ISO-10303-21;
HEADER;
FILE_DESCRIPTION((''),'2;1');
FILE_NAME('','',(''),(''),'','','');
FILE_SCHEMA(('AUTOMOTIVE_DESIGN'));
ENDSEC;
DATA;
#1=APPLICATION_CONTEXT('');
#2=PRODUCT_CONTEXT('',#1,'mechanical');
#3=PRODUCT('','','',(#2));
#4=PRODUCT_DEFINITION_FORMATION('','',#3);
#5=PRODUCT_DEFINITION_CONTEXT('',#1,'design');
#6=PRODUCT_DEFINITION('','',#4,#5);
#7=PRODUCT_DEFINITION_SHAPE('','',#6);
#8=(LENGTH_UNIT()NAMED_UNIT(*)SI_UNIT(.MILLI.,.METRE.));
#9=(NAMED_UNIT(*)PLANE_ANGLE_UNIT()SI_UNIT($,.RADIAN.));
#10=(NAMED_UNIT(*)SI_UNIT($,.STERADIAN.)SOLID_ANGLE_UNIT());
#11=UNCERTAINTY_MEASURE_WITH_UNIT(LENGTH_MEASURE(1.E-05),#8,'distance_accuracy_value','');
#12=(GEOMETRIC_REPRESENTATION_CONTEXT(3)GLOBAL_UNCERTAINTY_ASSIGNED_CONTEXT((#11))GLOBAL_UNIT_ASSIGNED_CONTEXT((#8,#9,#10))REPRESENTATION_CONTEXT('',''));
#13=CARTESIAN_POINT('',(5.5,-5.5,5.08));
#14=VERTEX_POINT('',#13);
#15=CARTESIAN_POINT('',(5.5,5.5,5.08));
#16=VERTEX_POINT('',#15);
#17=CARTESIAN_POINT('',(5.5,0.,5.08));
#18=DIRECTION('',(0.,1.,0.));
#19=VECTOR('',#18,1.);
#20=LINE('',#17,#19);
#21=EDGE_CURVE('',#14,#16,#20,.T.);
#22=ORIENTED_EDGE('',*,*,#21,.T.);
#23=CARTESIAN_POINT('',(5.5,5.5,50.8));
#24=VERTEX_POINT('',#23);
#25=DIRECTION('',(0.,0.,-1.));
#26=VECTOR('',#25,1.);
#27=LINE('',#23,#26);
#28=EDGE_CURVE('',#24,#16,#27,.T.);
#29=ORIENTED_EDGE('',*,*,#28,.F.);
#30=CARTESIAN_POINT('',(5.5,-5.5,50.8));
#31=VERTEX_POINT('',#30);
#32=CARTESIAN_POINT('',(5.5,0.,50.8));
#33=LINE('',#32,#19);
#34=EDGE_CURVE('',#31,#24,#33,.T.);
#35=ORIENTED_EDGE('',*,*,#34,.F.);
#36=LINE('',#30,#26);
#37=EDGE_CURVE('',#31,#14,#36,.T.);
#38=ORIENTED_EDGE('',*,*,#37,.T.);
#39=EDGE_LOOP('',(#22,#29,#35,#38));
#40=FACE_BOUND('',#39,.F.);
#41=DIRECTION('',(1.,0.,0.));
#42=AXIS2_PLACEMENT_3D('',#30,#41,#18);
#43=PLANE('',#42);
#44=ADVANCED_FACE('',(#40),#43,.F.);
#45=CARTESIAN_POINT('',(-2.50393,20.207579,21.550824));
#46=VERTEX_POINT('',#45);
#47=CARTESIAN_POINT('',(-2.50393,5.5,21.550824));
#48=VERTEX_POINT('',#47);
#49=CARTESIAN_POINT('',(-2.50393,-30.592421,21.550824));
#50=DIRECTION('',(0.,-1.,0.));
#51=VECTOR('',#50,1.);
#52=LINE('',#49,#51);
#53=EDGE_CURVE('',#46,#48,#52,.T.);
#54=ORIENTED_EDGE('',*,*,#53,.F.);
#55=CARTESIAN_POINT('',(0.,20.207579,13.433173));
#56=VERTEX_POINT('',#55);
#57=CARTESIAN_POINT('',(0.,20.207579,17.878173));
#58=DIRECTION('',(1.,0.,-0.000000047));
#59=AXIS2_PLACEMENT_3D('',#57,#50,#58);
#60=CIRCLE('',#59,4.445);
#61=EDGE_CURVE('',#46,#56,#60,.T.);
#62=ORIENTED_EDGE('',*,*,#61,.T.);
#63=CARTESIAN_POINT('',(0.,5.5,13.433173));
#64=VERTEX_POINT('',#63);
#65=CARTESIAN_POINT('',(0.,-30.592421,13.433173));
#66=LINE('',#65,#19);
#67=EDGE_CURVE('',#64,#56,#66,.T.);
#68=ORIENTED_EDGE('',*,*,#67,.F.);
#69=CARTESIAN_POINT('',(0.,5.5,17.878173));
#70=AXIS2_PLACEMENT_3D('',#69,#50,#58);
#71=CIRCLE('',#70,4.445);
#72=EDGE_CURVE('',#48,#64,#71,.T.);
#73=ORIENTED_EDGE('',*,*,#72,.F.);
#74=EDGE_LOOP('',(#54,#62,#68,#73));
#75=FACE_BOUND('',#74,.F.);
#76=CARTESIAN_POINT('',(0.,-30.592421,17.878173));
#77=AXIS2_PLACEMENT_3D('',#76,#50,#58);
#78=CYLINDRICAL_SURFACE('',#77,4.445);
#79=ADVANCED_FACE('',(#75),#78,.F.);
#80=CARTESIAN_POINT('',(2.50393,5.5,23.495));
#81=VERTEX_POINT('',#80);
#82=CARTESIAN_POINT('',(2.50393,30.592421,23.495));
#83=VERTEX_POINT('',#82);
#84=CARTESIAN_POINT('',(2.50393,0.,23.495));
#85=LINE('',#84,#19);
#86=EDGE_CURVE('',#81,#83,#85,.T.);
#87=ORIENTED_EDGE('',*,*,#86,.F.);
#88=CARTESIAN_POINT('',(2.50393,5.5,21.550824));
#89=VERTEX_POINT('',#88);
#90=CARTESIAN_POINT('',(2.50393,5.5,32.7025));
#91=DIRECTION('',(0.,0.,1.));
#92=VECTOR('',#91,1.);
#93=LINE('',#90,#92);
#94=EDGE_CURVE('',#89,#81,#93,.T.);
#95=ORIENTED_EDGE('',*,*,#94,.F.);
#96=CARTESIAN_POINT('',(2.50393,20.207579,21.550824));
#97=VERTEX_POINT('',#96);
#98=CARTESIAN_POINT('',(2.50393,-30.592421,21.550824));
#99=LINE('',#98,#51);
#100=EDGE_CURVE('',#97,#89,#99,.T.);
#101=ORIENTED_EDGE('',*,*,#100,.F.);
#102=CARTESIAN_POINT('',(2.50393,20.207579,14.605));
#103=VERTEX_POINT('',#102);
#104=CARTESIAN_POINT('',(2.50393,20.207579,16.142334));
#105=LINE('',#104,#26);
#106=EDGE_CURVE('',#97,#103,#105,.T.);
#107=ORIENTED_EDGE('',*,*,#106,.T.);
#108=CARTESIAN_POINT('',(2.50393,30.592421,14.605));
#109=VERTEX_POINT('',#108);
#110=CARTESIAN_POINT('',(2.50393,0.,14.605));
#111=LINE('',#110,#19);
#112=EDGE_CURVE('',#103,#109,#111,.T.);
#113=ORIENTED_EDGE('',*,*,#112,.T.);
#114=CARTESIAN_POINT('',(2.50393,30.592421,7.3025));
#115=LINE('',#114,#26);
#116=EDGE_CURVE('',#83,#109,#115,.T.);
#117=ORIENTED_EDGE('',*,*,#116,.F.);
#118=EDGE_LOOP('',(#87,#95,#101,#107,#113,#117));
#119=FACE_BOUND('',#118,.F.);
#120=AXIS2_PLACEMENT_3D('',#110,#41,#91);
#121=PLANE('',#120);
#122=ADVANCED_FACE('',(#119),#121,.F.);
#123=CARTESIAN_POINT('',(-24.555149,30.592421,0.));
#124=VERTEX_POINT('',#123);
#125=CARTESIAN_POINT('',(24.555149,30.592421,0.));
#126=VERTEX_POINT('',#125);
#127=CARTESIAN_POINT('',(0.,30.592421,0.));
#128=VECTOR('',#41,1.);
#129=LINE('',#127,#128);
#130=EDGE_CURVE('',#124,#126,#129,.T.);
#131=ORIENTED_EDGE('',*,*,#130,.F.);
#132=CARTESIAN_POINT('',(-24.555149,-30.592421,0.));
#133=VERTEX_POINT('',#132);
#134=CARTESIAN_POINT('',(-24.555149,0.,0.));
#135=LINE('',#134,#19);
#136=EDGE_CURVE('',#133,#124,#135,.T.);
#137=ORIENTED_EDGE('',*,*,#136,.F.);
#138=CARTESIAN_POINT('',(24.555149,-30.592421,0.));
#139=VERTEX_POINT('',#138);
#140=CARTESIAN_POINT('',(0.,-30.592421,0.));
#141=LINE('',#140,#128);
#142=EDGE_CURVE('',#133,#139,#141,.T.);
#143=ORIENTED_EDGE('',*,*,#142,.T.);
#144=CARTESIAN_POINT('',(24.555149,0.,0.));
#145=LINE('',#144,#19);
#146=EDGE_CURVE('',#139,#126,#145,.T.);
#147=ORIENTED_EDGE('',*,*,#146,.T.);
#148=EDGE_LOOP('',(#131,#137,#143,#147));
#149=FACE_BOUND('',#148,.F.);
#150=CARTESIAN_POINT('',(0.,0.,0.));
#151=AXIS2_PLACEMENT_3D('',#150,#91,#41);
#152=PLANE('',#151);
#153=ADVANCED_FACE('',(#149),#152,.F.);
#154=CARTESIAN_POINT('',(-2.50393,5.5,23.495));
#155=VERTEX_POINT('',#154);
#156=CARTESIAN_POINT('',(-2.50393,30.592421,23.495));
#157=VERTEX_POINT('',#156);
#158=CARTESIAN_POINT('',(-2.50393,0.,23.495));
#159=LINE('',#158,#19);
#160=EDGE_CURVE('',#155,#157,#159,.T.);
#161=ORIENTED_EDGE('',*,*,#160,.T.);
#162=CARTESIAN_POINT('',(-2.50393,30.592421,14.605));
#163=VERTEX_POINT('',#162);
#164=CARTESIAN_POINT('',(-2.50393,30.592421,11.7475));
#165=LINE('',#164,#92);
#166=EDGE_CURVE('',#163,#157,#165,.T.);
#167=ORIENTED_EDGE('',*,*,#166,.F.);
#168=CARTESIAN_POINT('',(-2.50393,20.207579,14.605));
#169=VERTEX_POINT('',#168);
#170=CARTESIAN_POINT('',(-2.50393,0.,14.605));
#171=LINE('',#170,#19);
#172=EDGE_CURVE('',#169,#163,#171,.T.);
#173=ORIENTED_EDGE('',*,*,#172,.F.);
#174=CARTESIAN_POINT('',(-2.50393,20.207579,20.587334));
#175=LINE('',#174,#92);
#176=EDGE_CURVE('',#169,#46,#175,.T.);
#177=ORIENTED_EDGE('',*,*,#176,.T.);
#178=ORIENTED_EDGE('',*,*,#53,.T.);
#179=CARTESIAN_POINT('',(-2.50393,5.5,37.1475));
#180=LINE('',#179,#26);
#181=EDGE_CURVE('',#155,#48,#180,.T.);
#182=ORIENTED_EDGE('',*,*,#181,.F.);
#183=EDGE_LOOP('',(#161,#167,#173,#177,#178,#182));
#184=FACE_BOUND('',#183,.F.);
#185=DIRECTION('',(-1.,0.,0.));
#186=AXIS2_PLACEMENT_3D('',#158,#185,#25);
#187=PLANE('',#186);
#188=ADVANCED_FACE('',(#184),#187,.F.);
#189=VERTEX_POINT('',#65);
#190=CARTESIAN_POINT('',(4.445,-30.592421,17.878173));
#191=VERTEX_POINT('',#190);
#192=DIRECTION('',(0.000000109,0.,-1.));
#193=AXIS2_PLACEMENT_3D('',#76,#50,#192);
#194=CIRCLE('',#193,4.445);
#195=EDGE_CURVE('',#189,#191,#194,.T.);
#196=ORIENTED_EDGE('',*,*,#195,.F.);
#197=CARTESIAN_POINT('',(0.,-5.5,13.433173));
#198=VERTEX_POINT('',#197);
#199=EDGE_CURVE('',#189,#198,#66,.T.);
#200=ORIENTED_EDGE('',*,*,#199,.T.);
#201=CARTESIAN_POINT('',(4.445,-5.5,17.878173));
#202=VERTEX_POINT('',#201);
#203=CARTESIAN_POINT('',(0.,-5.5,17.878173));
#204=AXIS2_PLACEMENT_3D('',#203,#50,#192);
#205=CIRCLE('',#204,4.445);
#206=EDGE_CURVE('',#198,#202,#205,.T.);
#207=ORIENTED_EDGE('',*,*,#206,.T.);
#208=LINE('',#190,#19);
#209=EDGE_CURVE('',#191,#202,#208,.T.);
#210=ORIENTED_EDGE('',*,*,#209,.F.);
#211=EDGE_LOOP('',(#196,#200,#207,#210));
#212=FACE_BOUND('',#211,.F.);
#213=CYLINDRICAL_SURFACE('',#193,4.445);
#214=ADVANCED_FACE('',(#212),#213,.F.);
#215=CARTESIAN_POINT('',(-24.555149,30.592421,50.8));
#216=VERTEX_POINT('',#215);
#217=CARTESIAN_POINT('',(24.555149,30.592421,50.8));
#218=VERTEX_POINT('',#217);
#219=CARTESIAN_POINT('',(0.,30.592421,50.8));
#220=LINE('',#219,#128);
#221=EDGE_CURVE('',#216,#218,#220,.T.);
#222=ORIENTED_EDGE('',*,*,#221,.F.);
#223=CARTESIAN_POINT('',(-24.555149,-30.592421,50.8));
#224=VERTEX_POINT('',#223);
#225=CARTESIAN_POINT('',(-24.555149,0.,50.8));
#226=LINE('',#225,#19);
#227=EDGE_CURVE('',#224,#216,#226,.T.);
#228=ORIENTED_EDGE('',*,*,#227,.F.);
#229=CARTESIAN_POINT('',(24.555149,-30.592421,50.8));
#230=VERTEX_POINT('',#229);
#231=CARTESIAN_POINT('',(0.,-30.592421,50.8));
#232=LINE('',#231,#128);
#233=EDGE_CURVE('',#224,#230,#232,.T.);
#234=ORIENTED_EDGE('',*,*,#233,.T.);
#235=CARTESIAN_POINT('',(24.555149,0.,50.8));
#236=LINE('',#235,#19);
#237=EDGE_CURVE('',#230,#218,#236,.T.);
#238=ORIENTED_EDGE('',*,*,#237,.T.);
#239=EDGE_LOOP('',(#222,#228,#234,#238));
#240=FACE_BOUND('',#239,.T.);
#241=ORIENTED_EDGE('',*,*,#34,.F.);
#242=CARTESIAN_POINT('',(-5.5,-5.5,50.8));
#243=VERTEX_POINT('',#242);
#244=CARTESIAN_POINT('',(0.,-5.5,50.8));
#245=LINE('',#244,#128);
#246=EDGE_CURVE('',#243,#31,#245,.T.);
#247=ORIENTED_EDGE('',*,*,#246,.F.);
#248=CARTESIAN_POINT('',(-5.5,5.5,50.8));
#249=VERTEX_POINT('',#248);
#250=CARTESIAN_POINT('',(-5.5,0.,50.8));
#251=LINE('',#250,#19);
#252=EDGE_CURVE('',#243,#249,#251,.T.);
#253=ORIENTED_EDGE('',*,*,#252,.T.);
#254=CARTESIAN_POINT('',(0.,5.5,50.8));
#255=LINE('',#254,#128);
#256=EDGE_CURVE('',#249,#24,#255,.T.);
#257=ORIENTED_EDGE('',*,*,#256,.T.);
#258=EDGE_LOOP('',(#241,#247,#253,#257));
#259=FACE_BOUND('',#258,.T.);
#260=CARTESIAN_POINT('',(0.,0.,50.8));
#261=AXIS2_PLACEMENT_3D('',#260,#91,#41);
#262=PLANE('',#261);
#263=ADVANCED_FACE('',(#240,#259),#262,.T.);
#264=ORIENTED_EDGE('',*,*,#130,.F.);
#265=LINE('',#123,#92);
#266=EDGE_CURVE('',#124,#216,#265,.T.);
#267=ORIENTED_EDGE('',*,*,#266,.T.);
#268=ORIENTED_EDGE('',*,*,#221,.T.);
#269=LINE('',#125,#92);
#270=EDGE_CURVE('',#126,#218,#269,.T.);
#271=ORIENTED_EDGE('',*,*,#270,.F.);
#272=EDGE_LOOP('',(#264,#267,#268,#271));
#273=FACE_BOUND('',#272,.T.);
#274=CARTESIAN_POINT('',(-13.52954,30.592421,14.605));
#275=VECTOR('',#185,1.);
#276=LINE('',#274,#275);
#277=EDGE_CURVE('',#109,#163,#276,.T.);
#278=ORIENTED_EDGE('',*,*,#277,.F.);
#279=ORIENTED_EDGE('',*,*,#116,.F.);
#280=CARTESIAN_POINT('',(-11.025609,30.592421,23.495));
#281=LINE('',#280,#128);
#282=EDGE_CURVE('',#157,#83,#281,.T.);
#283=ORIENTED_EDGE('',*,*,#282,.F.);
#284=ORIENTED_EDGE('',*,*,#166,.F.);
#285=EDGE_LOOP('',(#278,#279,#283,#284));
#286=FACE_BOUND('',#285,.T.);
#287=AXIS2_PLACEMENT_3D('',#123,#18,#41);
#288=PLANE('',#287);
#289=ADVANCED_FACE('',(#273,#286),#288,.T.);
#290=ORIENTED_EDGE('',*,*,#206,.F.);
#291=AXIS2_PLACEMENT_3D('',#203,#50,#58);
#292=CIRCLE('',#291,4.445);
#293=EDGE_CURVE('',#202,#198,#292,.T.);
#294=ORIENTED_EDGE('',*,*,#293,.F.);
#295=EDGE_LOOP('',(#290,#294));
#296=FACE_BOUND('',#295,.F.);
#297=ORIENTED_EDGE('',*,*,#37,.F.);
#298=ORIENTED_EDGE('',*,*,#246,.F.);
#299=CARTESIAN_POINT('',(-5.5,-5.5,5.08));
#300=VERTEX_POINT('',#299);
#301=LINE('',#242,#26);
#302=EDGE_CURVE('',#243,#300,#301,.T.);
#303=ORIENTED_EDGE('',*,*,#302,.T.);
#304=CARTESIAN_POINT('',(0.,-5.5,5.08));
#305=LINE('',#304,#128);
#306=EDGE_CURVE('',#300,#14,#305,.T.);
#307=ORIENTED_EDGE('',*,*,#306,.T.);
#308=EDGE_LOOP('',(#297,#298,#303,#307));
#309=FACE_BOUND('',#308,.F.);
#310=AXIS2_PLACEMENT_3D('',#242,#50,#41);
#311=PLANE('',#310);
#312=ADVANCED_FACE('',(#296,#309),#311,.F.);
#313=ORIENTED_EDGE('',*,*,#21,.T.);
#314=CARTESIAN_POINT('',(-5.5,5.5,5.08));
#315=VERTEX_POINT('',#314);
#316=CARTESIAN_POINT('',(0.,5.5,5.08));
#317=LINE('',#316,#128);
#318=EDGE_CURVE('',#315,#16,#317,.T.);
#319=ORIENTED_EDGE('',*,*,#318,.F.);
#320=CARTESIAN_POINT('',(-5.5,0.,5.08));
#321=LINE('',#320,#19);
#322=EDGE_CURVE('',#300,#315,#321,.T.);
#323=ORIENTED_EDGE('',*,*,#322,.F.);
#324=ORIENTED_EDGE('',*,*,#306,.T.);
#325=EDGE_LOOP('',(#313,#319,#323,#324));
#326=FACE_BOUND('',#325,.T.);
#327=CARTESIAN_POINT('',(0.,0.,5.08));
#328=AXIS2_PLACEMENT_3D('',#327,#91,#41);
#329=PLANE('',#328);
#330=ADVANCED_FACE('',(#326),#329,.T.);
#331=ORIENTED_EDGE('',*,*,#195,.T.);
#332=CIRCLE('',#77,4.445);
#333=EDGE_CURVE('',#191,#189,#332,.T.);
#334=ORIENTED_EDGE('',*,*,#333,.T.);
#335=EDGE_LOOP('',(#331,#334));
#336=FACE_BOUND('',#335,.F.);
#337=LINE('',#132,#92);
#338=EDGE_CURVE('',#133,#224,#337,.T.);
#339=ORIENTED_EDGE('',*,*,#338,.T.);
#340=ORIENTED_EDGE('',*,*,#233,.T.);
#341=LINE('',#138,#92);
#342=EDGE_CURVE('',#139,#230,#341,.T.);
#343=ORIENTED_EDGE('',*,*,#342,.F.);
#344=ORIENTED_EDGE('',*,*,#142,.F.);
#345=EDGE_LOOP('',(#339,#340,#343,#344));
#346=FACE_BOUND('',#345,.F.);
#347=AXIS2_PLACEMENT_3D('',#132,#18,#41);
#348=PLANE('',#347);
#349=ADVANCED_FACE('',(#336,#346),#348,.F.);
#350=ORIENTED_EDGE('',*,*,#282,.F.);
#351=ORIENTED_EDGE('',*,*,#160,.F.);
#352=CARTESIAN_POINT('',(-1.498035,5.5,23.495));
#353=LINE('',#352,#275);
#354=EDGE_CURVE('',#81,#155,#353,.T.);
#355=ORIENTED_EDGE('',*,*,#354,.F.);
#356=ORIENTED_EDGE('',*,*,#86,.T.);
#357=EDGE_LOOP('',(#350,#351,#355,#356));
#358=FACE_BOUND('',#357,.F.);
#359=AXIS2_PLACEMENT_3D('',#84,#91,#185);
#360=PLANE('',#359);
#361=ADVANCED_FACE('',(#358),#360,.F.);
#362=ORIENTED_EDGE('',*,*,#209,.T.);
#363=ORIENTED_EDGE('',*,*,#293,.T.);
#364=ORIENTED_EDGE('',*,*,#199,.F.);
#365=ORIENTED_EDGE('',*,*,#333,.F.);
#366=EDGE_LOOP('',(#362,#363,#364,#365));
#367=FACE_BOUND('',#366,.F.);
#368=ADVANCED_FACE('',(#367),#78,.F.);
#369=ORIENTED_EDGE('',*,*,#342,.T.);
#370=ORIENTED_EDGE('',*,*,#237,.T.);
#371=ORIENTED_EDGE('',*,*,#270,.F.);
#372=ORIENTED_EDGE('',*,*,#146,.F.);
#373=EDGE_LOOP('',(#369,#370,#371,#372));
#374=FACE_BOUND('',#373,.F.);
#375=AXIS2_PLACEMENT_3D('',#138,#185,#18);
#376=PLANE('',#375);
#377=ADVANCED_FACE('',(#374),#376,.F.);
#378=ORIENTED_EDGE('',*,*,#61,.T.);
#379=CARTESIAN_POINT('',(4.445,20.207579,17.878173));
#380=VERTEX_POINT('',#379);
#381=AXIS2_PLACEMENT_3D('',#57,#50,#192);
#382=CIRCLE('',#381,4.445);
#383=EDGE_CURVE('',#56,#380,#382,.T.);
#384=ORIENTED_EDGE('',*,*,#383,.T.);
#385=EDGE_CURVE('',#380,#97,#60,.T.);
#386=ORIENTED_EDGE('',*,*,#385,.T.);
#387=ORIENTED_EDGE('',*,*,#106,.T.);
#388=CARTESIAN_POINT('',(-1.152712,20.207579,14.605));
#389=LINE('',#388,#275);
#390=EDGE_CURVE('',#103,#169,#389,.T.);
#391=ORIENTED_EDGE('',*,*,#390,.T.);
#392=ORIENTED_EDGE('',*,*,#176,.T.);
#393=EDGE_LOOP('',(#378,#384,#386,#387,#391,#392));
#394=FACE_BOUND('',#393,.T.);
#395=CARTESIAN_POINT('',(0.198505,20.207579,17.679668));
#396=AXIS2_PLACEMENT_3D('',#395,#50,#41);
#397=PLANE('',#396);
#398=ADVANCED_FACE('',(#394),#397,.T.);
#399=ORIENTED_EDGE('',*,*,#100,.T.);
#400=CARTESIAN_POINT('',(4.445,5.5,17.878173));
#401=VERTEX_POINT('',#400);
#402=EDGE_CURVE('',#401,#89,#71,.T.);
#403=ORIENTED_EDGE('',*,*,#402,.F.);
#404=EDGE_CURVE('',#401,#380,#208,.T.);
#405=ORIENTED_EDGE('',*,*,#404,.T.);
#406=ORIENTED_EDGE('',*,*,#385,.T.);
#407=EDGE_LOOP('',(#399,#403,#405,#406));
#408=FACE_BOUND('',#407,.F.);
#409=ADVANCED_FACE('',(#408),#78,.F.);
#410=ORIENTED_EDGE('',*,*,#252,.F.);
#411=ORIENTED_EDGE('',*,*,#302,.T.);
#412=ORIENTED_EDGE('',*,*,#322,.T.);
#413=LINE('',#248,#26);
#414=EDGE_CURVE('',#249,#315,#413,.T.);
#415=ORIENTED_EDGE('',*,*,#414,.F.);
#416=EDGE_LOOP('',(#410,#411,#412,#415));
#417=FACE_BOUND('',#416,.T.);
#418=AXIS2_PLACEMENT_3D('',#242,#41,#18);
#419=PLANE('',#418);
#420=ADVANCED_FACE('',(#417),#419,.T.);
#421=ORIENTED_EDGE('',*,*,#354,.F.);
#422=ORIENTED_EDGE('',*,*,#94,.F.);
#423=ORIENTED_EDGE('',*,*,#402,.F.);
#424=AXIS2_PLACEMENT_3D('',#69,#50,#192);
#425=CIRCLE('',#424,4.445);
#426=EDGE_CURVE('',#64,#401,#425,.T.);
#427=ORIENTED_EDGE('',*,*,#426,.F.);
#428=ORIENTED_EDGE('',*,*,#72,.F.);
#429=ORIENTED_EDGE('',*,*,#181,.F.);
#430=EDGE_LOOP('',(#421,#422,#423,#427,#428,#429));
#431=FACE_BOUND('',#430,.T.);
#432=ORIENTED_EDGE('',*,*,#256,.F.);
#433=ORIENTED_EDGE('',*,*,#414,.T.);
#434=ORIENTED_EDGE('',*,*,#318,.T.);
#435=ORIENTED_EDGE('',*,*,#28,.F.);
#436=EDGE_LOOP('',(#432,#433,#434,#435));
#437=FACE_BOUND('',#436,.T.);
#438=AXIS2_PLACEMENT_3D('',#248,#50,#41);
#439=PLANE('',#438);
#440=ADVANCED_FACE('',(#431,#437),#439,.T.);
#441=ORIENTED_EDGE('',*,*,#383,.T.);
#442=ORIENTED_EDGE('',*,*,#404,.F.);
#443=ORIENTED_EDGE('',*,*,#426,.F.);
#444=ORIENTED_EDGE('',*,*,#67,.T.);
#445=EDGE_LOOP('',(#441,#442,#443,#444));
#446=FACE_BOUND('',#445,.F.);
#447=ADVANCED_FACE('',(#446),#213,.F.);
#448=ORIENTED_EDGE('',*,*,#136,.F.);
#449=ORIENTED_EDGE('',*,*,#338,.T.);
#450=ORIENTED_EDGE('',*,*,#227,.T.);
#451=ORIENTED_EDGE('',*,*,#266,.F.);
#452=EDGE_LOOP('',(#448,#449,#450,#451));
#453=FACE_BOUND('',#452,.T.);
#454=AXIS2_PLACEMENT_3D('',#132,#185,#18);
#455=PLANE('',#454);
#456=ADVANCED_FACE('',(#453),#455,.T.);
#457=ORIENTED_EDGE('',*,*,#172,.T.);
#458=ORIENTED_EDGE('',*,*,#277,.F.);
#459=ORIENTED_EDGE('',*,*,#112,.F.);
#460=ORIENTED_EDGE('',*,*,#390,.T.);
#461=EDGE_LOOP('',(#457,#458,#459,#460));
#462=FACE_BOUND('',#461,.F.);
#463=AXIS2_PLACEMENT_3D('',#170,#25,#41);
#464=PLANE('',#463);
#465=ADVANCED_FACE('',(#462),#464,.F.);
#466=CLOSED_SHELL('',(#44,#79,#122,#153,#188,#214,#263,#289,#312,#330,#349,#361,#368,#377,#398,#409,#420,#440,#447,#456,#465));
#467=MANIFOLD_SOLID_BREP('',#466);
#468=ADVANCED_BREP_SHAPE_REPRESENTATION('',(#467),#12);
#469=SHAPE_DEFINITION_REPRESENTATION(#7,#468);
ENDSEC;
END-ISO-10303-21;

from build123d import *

# Parameters (mm, degrees)
F0_W     = 49.110298
F0_H     = 61.184842
F1_DEPTH = 50.8
F2_W     = 11
F2_H     = 11
F3_DEPTH = 45.72
F6_DEPTH = 50.8
F7_DEPTH = 50.8


with BuildPart() as f1:
    # F0 (on Top) → F1 (new body)
    with BuildSketch(Plane.XY):
        Rectangle(F0_W, F0_H)
    extrude(amount=F1_DEPTH)

    # F2 (on face) → F3 (cut)
    with BuildSketch(Plane.XY.offset(50.8)):
        Rectangle(F2_W, F2_H)
    extrude(amount=-F3_DEPTH, mode=Mode.SUBTRACT)

    # F4 (on Front) → F6 (cut)
    with BuildSketch(Plane.XZ):
        Polygon((-2.50393, 23.495), (-2.50393, 14.605), (0, 14.605), (2.50393, 14.605), (2.50393, 23.495), align=None)
    extrude(amount=-F6_DEPTH, mode=Mode.SUBTRACT)

    # F5 (on face) → F7 (cut)
    with BuildSketch(Plane.XZ.offset(30.592421)):
        with BuildLine():
            ThreePointArc((4.445, 17.878173), (-3.14309, 21.021263), (0, 13.433173))
            ThreePointArc((0, 13.433173), (3.14309, 14.735084), (4.445, 17.878173))
        make_face()
    extrude(amount=-F7_DEPTH, mode=Mode.SUBTRACT)


solid = f1.part
